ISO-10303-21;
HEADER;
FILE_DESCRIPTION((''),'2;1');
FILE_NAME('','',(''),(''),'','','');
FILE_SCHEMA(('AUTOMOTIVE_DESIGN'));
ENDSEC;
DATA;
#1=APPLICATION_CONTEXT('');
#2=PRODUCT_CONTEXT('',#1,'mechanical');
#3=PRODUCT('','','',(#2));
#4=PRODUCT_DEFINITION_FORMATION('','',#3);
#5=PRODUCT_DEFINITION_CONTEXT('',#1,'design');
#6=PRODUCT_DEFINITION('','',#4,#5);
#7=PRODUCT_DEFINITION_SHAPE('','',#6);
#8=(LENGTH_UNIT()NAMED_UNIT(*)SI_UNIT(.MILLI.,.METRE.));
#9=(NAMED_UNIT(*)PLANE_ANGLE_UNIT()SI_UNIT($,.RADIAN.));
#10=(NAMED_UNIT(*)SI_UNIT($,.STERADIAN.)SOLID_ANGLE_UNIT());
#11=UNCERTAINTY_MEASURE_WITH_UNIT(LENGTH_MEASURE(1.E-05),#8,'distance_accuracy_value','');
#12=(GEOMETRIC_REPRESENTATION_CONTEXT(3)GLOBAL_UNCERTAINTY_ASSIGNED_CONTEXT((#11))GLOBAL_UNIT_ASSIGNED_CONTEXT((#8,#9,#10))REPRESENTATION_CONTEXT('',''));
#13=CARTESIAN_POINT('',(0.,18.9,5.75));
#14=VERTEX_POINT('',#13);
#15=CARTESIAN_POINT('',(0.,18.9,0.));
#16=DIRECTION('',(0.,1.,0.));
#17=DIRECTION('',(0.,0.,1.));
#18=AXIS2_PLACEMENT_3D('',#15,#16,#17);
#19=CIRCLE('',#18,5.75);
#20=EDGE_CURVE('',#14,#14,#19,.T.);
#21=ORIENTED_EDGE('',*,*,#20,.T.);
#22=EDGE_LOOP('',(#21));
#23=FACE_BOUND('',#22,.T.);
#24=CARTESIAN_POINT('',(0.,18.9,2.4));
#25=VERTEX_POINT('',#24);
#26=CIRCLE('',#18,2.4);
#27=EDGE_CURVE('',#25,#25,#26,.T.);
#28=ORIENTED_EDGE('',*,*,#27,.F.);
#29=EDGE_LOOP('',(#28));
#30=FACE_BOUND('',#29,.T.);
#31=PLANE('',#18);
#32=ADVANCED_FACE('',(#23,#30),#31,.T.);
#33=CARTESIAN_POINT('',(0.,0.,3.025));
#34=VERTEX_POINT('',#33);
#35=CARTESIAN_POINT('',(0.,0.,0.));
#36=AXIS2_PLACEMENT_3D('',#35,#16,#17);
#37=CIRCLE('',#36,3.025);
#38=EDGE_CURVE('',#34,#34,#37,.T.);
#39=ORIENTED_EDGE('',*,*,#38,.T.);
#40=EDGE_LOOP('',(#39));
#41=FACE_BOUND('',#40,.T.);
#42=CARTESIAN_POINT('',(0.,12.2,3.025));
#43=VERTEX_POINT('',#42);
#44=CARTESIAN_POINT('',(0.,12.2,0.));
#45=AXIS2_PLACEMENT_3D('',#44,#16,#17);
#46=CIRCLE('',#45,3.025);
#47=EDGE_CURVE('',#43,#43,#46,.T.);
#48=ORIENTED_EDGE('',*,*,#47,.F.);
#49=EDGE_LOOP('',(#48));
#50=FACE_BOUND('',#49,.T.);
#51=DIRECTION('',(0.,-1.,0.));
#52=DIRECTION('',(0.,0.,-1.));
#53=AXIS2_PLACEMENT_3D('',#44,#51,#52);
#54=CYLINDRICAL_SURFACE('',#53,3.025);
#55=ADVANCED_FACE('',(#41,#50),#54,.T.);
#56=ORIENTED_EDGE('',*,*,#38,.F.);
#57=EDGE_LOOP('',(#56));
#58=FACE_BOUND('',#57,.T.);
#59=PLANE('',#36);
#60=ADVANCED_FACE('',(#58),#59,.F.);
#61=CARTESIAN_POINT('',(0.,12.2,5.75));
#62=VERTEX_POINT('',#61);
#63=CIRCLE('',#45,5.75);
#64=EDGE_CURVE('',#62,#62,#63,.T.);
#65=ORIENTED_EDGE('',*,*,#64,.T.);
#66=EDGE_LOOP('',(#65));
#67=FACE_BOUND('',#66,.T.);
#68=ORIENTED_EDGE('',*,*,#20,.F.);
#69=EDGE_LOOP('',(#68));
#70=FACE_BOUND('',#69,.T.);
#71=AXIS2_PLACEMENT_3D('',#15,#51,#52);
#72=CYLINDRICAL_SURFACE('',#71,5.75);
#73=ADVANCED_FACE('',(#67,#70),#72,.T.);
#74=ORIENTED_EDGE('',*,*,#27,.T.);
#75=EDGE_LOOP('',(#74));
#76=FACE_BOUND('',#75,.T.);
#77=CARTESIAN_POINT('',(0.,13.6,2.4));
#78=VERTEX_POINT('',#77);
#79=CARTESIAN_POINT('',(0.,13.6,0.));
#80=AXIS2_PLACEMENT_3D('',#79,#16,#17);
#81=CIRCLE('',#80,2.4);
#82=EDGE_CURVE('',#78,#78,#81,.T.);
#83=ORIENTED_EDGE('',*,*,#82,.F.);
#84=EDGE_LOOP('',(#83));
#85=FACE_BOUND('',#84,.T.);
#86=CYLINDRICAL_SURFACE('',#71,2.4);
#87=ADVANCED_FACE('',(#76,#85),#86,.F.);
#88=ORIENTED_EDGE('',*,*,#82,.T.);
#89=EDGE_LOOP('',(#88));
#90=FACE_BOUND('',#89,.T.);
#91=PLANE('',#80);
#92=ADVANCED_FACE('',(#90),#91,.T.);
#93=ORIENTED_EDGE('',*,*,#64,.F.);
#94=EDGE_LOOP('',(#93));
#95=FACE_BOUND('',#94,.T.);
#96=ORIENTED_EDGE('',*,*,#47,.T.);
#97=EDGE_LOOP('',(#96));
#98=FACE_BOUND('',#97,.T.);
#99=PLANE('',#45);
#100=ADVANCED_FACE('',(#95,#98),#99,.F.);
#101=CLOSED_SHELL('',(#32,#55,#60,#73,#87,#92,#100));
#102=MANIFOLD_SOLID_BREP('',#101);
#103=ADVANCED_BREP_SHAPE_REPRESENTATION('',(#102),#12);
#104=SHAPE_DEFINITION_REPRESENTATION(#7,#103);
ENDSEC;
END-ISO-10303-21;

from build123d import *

# Parameters (mm, degrees)
SKETCH1_R           = 3.025
BOSS_EXTRUDE1_DEPTH = 12.2
SKETCH2_R           = 5.75
SKETCH2_R_2         = 2.4
BOSS_EXTRUDE2_DEPTH = 6.7
SKETCH3_R           = 2.4
BOSS_EXTRUDE3_DEPTH = 1.4


with BuildPart() as part:
    # Sketch1 → Boss-Extrude1 (new body)
    with BuildSketch(Plane(origin=(0, 0, 0), x_dir=(1, 0, 0), z_dir=(0, 1, 0))):
        with Locations(Location((0, 0, 0), (0, 0, 270))):
            Circle(SKETCH1_R)
    extrude(amount=BOSS_EXTRUDE1_DEPTH)

    # Sketch2 → Boss-Extrude2 (add)
    with BuildSketch(Plane(origin=(0, 12.2, 0), x_dir=(1, 0, 0), z_dir=(0, 1, 0))):
        with Locations(Location((0, 0, 0), (0, 0, 270))):
            Circle(SKETCH2_R)
        with Locations(Location((0, 0, 0), (0, 0, 270))):
            Circle(SKETCH2_R_2, mode=Mode.SUBTRACT)
    extrude(amount=BOSS_EXTRUDE2_DEPTH)

    # Sketch3 → Boss-Extrude3 (add)
    with BuildSketch(Plane(origin=(0, 12.2, 0), x_dir=(1, 0, 0), z_dir=(0, 1, 0))):
        with Locations(Location((0, 0, 0), (0, 0, 270))):
            Circle(SKETCH3_R)
    extrude(amount=BOSS_EXTRUDE3_DEPTH)


solid = part.part
